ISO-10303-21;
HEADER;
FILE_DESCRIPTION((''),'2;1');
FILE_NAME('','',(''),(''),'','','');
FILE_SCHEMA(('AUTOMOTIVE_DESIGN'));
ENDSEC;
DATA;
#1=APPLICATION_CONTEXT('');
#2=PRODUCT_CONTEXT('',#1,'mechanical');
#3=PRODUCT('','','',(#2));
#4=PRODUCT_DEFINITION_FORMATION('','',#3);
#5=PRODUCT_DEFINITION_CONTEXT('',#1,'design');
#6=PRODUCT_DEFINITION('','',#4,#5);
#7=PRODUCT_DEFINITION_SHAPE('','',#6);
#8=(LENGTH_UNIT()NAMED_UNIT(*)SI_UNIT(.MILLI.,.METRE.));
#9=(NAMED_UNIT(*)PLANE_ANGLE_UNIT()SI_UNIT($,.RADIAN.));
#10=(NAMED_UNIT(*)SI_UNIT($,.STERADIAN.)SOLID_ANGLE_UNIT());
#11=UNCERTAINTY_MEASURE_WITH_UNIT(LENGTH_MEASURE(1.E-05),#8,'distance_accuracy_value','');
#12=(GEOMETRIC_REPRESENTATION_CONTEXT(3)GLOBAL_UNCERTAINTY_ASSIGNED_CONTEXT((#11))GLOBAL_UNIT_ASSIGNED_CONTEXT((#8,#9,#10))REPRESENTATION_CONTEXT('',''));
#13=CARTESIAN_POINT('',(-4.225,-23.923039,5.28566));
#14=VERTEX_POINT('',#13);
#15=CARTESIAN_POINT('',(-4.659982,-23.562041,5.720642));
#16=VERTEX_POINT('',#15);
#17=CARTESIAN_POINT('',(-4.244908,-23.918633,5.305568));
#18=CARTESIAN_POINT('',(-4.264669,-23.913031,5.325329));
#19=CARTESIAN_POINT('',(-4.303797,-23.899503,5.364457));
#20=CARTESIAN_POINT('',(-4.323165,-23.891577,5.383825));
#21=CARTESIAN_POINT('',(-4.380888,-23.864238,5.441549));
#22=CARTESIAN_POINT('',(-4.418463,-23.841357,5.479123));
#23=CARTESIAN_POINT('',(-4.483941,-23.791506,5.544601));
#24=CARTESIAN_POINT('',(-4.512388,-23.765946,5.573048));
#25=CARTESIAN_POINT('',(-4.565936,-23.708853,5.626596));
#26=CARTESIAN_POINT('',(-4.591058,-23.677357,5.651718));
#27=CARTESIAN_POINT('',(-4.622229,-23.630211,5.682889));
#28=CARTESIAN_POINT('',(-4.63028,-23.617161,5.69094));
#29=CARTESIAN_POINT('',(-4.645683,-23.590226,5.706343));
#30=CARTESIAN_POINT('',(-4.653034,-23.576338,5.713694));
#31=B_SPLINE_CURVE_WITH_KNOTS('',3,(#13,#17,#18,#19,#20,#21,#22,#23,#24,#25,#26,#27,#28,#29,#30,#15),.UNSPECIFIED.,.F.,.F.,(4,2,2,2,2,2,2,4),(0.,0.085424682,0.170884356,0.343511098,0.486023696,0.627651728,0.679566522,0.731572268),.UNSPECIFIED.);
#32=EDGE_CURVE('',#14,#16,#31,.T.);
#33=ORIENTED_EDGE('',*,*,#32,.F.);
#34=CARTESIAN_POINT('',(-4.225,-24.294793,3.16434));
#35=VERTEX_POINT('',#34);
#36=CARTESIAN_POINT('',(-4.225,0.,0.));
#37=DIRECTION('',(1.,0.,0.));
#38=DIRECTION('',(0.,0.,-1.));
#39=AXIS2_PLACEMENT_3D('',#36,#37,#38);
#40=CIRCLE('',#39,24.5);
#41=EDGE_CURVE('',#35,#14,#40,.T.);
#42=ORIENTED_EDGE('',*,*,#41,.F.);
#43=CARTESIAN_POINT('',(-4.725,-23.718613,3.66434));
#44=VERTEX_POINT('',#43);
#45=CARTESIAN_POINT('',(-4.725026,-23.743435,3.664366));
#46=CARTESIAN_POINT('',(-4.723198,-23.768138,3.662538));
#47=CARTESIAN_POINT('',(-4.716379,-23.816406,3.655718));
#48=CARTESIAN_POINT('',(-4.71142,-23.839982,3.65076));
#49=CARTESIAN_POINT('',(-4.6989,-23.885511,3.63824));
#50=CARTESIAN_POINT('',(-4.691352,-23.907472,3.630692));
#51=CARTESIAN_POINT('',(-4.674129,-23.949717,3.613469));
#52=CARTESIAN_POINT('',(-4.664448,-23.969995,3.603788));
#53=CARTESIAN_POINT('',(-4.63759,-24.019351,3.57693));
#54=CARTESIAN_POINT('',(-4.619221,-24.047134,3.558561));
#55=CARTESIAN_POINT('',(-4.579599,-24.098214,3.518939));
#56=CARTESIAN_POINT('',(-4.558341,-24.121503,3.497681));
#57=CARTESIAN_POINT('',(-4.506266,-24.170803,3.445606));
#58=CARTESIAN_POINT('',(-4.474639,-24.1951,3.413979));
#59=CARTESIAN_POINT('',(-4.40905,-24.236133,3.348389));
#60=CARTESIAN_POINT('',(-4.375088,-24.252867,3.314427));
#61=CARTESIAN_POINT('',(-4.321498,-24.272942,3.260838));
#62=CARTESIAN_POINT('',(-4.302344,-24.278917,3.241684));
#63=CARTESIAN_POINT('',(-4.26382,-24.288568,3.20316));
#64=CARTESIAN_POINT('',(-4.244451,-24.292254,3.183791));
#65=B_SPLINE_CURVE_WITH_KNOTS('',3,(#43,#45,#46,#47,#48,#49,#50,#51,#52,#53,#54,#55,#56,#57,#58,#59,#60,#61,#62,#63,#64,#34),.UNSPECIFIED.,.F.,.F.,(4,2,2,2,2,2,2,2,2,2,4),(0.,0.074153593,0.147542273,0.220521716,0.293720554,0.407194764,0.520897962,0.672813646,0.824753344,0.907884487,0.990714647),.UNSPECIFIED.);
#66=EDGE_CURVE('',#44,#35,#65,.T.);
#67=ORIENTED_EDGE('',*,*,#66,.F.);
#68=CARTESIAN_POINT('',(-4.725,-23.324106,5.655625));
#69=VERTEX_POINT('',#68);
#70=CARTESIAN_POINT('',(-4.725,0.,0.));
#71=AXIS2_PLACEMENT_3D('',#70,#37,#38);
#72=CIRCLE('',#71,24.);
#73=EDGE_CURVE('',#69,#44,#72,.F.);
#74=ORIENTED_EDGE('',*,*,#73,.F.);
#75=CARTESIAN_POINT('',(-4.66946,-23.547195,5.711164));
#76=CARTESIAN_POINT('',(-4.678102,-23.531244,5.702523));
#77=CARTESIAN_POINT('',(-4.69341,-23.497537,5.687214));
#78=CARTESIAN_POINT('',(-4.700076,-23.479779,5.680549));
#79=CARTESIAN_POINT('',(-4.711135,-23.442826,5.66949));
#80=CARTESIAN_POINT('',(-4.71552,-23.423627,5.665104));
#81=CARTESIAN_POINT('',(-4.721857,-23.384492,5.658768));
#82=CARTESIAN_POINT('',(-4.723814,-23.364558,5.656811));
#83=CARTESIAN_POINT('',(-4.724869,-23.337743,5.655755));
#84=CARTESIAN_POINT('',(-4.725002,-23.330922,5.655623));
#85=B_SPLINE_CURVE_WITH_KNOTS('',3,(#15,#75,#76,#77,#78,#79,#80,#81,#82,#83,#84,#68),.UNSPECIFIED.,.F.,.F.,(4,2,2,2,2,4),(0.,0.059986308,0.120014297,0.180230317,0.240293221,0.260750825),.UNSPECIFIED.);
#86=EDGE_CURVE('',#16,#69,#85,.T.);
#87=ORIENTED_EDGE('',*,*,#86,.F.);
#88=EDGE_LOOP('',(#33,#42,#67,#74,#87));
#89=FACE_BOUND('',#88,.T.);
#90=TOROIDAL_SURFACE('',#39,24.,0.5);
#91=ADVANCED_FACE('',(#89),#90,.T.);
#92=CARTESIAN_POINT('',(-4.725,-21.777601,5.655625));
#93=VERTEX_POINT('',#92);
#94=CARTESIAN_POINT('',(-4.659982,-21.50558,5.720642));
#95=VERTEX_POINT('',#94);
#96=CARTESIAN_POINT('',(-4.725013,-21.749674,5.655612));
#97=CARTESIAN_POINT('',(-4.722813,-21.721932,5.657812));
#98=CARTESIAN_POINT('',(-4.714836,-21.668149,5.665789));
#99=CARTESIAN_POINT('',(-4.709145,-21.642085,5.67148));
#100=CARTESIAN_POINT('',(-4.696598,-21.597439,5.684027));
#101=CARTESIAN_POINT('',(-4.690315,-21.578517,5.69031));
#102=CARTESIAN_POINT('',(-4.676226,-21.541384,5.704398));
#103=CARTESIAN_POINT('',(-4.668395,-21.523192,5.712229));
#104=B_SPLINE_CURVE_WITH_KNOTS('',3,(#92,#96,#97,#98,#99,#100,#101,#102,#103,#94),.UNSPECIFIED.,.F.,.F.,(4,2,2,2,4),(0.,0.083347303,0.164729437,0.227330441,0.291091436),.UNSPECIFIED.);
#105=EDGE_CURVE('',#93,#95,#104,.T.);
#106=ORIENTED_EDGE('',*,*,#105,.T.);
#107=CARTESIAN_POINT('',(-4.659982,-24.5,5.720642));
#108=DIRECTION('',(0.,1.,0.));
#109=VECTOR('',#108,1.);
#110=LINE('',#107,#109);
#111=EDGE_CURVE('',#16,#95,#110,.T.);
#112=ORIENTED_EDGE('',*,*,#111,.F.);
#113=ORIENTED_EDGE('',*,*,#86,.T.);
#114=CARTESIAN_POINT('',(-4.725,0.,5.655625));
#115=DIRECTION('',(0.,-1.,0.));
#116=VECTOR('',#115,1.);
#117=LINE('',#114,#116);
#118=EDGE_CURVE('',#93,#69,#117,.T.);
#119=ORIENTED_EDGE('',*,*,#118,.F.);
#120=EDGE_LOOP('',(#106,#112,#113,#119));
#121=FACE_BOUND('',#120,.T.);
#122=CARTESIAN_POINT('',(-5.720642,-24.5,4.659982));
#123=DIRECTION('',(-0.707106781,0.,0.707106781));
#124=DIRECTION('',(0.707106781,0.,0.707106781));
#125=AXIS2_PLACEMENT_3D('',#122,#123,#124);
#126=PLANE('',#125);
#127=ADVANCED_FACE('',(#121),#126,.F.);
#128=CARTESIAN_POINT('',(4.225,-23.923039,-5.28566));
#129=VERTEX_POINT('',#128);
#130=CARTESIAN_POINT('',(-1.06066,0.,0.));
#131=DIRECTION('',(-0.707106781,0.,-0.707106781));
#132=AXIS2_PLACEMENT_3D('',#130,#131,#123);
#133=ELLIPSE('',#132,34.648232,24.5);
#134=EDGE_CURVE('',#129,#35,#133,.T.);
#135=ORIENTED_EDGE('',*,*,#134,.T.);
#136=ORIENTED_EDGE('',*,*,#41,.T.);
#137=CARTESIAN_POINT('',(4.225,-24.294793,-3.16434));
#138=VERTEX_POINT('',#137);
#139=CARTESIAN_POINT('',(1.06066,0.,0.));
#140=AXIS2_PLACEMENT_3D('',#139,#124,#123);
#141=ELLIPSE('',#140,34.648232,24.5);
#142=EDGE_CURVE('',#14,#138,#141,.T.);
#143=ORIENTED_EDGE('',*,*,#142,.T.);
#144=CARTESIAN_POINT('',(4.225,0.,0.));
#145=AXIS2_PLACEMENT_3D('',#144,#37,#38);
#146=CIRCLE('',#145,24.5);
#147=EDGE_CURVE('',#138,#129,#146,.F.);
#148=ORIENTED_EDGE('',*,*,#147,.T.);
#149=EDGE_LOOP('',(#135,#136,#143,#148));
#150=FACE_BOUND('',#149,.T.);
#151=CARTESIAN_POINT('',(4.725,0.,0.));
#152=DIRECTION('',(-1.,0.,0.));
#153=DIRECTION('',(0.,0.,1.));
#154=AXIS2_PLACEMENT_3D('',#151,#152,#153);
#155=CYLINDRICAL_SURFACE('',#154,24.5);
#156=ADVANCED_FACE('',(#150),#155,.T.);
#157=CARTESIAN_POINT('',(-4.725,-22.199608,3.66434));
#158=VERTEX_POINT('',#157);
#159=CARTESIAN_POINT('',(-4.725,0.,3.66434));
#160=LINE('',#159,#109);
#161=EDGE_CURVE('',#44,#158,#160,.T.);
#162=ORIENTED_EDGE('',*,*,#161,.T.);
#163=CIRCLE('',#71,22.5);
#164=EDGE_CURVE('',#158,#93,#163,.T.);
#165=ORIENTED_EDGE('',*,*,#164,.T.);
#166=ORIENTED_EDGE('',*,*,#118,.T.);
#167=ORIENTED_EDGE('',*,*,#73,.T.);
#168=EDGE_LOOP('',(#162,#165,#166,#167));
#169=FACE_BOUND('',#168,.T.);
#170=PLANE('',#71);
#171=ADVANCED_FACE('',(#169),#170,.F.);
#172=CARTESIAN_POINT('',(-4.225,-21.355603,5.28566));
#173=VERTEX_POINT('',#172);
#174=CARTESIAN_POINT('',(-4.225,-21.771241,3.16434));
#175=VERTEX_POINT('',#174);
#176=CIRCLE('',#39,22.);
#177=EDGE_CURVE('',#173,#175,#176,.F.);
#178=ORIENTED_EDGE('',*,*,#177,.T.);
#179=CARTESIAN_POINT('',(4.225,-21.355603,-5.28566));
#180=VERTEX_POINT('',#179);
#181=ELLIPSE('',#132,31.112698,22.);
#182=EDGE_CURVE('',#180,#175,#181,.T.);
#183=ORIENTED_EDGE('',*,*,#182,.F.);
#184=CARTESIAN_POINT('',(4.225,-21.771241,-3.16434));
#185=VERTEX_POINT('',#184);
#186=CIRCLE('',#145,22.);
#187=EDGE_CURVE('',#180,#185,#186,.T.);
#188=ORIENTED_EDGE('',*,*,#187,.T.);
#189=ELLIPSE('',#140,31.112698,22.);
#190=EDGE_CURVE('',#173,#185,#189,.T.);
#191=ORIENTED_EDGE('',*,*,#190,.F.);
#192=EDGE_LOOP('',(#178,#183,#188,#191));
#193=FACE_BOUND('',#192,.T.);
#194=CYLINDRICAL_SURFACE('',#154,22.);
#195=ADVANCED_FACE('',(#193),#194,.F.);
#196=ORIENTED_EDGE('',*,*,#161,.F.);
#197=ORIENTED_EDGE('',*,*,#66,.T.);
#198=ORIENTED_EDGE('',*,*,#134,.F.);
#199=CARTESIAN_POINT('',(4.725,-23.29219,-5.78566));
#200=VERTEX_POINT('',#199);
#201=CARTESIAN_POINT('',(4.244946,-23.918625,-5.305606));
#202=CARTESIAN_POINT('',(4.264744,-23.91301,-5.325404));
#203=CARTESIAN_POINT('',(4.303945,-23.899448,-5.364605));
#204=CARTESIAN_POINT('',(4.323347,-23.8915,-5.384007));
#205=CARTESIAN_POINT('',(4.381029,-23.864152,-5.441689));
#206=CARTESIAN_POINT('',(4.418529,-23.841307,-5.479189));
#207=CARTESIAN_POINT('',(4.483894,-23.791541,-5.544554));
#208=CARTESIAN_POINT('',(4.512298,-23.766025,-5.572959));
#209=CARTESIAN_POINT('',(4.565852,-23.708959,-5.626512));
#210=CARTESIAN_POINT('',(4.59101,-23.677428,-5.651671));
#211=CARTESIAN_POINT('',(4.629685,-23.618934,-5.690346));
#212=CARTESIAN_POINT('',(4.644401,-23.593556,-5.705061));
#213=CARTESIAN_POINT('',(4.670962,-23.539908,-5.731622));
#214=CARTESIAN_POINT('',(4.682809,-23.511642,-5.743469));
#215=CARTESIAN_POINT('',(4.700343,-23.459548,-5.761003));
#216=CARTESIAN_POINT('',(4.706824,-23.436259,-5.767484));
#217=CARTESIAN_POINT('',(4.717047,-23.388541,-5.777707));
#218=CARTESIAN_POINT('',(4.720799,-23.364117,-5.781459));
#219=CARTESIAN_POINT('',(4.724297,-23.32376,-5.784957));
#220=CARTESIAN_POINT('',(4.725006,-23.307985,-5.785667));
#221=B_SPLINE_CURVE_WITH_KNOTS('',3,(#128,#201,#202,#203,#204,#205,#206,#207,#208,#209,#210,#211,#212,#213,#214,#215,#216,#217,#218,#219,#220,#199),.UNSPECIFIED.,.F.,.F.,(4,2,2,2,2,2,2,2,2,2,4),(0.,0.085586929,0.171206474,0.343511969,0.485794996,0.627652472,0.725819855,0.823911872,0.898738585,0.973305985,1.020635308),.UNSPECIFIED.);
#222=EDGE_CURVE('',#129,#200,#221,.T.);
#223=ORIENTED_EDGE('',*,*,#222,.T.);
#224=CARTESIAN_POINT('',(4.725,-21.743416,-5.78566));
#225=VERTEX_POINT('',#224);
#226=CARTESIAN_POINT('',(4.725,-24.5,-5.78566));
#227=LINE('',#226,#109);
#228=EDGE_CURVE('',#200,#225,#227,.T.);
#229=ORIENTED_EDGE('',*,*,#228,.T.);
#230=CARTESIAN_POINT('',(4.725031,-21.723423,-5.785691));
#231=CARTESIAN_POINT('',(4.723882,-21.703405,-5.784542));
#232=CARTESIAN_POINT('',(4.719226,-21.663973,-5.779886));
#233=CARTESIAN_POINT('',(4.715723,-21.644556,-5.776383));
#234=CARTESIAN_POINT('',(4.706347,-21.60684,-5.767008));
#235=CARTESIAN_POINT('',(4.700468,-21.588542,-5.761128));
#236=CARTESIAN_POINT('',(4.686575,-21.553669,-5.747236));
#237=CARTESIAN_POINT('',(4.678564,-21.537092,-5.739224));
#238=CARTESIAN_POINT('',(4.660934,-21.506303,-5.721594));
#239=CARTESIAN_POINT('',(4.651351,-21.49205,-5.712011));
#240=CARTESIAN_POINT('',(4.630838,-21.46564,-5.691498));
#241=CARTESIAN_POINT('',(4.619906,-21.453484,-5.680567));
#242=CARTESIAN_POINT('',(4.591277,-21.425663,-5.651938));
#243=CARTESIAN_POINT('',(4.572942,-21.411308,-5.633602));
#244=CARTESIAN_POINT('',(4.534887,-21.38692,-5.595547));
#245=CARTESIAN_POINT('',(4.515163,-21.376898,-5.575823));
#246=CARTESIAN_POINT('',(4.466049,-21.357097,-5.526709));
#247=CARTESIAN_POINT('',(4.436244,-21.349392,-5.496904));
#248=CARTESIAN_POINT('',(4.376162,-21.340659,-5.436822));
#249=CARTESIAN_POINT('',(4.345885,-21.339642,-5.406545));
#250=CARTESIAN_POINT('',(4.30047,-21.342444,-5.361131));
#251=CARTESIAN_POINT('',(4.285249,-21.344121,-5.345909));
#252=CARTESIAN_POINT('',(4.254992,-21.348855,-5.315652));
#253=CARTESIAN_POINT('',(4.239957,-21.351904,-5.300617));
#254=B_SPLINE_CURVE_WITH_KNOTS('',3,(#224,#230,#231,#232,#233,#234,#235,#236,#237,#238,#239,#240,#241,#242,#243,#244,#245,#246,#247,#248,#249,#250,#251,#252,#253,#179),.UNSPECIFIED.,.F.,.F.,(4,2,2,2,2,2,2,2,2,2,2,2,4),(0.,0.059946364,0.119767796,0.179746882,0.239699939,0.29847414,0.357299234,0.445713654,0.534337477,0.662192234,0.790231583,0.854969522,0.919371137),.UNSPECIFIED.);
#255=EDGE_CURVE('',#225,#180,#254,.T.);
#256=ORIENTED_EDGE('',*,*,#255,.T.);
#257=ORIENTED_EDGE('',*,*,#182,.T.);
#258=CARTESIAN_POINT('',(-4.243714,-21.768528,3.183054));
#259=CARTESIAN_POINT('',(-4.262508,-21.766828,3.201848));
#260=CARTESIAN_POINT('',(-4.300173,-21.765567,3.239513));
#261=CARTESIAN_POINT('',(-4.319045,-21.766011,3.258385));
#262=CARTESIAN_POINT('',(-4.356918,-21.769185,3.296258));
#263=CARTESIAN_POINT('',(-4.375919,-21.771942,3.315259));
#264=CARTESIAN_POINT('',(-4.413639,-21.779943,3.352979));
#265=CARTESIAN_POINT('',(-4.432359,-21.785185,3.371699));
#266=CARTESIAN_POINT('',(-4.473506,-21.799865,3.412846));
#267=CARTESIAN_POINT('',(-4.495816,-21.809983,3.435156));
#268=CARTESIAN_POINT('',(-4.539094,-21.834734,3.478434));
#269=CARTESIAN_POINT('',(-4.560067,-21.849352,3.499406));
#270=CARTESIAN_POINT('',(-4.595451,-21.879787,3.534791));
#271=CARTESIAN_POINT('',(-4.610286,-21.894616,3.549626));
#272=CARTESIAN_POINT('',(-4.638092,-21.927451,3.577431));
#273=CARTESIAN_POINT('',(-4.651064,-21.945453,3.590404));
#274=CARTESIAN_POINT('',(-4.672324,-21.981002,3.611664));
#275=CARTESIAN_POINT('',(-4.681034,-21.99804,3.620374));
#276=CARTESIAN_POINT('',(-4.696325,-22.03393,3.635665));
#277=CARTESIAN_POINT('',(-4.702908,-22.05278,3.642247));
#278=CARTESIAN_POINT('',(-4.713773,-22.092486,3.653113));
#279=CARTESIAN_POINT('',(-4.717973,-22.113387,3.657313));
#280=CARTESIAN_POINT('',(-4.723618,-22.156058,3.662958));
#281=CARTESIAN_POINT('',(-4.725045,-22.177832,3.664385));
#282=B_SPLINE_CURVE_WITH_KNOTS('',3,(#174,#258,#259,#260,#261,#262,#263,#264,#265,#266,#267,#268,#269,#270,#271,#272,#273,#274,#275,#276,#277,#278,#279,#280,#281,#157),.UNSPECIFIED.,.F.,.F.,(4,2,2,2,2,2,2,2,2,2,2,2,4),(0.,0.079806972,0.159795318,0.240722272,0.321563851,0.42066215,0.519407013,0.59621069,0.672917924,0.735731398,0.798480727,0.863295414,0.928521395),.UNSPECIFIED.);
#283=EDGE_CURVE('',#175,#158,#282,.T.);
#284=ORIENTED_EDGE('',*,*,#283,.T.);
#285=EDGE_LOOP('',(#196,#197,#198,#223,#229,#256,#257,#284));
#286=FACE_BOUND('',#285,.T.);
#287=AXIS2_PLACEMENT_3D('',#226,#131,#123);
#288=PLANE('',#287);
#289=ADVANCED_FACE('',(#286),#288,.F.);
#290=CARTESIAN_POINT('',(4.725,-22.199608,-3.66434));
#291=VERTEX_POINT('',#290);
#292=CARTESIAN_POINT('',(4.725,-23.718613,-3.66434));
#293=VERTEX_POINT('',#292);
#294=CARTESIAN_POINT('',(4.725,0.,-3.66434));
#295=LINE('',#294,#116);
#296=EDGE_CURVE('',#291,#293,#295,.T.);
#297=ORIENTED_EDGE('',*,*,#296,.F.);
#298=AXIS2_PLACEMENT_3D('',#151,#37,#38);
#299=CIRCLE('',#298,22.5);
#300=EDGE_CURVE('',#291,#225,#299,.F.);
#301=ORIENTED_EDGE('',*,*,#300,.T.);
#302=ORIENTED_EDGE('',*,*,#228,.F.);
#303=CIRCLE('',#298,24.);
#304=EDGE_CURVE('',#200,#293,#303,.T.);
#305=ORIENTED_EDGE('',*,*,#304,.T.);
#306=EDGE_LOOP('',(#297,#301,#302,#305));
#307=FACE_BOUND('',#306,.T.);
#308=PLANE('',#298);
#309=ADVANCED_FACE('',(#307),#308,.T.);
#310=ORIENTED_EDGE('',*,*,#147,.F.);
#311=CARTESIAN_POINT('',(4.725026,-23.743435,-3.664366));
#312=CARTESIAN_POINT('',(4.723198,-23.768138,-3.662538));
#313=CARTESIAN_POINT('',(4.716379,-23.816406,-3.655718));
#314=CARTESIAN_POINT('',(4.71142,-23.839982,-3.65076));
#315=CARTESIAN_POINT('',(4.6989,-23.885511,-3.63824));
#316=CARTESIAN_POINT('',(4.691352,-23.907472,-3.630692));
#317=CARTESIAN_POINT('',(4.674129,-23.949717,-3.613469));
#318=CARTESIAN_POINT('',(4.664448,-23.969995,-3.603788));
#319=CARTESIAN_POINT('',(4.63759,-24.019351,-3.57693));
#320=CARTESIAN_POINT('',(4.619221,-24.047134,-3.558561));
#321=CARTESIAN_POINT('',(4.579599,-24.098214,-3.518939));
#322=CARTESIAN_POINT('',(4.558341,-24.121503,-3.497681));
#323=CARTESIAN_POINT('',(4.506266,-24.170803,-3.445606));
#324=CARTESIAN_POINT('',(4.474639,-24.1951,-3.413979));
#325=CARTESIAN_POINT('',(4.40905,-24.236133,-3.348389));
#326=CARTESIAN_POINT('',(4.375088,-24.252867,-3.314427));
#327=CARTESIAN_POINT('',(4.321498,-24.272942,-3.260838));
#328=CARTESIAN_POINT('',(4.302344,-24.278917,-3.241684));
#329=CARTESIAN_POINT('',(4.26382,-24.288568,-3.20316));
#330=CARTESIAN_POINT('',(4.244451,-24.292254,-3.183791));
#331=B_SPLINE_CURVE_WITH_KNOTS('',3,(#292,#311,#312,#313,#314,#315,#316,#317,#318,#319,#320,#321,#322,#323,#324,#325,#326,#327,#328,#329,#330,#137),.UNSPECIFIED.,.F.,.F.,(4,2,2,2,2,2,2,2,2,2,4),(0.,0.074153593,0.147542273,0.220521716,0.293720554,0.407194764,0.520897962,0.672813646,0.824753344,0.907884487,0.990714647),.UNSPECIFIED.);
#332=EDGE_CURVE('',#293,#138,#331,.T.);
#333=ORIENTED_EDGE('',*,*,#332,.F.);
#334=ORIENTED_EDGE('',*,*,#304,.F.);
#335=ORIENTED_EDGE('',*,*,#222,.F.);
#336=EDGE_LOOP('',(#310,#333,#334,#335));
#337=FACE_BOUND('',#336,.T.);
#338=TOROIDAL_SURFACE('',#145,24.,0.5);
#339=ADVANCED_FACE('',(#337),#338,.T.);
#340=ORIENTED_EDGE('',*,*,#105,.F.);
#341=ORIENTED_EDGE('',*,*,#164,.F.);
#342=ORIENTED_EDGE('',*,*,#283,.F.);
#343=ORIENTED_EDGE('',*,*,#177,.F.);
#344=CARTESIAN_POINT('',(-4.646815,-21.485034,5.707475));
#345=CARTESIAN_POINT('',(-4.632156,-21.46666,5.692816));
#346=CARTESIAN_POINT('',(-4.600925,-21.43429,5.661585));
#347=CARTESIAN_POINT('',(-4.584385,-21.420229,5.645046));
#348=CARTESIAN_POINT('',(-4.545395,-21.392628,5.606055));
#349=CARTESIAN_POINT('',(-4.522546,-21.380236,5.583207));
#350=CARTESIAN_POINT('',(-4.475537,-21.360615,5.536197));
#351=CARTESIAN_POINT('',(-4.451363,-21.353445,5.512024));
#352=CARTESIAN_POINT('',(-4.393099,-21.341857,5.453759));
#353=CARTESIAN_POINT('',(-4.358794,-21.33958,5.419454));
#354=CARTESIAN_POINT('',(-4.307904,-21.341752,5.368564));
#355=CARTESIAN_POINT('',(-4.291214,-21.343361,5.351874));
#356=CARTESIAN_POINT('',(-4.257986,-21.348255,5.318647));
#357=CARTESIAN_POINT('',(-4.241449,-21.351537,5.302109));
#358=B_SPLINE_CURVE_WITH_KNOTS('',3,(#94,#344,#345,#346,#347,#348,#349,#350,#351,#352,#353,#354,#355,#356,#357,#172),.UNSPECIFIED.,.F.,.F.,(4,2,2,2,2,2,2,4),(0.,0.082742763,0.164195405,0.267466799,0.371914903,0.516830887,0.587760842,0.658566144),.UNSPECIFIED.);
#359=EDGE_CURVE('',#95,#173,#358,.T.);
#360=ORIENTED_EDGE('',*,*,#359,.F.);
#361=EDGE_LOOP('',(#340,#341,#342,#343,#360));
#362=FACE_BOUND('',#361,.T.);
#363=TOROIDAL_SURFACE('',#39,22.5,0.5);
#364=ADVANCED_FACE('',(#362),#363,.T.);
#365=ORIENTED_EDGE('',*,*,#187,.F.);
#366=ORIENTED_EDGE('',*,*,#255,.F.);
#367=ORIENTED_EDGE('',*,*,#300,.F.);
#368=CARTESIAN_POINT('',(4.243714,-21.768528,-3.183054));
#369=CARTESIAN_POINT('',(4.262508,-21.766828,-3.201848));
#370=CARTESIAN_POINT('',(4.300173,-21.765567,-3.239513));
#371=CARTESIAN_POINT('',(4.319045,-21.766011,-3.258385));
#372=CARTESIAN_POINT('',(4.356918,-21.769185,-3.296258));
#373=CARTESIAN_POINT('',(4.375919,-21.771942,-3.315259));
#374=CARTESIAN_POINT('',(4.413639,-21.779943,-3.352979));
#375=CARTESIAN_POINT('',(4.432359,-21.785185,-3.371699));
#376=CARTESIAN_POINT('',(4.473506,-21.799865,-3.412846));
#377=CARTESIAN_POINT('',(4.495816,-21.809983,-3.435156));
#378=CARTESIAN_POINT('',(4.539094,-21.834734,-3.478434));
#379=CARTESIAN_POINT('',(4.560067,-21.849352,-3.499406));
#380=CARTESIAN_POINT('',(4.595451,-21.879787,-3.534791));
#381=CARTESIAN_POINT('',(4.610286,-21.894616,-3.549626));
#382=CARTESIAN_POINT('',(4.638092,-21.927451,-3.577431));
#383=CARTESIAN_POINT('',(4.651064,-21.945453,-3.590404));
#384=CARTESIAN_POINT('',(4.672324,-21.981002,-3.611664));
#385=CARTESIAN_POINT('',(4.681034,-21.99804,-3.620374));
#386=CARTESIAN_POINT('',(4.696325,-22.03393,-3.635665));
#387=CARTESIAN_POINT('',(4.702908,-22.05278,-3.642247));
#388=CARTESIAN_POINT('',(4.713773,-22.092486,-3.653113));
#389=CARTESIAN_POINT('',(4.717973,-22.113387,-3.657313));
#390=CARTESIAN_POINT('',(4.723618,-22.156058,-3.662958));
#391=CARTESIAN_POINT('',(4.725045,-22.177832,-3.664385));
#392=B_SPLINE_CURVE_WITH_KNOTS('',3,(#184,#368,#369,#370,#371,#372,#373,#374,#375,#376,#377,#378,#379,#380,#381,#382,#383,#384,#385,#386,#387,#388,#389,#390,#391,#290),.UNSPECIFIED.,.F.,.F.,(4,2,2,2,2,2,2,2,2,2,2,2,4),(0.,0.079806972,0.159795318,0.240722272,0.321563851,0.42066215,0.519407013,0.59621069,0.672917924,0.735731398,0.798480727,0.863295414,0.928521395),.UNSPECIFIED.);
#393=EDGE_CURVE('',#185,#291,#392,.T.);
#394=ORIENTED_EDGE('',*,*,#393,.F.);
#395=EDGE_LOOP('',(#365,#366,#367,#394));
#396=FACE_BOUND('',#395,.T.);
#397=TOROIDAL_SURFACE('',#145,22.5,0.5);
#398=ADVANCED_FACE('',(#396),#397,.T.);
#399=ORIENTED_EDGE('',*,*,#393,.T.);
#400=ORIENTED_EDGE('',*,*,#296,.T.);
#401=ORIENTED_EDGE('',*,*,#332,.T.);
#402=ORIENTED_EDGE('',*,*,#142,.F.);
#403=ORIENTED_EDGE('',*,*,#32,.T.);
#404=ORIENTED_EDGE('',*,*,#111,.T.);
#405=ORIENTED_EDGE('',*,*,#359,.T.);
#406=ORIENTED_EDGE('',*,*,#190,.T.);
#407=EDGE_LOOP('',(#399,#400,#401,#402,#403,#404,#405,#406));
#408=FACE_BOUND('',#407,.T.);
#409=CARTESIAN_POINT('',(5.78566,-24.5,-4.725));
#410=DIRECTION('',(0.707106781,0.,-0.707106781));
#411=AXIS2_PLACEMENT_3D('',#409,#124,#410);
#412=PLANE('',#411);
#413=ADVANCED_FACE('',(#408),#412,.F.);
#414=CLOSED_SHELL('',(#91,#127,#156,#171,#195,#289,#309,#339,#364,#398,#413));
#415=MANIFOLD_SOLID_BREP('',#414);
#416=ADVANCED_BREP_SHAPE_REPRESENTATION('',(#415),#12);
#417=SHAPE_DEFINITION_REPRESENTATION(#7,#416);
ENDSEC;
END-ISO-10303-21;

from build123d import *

# Parameters (mm, degrees)
SKETCH1_R      = 24.5
SKETCH1_R_2    = 22
EXTRUDE1_DEPTH = 4.725
EXTRUDE2_DEPTH = 35.968923704
FILLET1_R      = 0.5


with BuildPart() as part:
    # Sketch1 → Extrude1 (new, symmetric)
    with BuildSketch(Plane(origin=(0, 0, 0), x_dir=(0, 0, -1), z_dir=(1, 0, 0))):
        Circle(SKETCH1_R)
        Circle(SKETCH1_R_2, mode=Mode.SUBTRACT)
    extrude(amount=EXTRUDE1_DEPTH, both=True)

    # Sketch2 → Extrude2 (cut, through all)
    with BuildSketch(Plane(origin=(0, 0, 0), x_dir=(1, 0, 0), z_dir=(0, 1, 0))):
        Polygon((4.725, 5.785660172), (-5.720642465, -4.659982293), (-4.659982293, -5.720642465), (5.785660172, 4.725), align=None)
    extrude(amount=-EXTRUDE2_DEPTH, mode=Mode.SUBTRACT)

    # Fillet1
    fillet1_edges = [part.edges().sort_by_distance(p)[0] for p in [
        (-4.725, 19.219948056, 15.193537992),
        (-4.725, 17.441670572, 13.408509524),
        (4.725, 14.201840088, 16.802015894),
        (4.725, 15.976133359, 18.574529951),
    ]]
    fillet(fillet1_edges, radius=FILLET1_R)


solid = part.part
